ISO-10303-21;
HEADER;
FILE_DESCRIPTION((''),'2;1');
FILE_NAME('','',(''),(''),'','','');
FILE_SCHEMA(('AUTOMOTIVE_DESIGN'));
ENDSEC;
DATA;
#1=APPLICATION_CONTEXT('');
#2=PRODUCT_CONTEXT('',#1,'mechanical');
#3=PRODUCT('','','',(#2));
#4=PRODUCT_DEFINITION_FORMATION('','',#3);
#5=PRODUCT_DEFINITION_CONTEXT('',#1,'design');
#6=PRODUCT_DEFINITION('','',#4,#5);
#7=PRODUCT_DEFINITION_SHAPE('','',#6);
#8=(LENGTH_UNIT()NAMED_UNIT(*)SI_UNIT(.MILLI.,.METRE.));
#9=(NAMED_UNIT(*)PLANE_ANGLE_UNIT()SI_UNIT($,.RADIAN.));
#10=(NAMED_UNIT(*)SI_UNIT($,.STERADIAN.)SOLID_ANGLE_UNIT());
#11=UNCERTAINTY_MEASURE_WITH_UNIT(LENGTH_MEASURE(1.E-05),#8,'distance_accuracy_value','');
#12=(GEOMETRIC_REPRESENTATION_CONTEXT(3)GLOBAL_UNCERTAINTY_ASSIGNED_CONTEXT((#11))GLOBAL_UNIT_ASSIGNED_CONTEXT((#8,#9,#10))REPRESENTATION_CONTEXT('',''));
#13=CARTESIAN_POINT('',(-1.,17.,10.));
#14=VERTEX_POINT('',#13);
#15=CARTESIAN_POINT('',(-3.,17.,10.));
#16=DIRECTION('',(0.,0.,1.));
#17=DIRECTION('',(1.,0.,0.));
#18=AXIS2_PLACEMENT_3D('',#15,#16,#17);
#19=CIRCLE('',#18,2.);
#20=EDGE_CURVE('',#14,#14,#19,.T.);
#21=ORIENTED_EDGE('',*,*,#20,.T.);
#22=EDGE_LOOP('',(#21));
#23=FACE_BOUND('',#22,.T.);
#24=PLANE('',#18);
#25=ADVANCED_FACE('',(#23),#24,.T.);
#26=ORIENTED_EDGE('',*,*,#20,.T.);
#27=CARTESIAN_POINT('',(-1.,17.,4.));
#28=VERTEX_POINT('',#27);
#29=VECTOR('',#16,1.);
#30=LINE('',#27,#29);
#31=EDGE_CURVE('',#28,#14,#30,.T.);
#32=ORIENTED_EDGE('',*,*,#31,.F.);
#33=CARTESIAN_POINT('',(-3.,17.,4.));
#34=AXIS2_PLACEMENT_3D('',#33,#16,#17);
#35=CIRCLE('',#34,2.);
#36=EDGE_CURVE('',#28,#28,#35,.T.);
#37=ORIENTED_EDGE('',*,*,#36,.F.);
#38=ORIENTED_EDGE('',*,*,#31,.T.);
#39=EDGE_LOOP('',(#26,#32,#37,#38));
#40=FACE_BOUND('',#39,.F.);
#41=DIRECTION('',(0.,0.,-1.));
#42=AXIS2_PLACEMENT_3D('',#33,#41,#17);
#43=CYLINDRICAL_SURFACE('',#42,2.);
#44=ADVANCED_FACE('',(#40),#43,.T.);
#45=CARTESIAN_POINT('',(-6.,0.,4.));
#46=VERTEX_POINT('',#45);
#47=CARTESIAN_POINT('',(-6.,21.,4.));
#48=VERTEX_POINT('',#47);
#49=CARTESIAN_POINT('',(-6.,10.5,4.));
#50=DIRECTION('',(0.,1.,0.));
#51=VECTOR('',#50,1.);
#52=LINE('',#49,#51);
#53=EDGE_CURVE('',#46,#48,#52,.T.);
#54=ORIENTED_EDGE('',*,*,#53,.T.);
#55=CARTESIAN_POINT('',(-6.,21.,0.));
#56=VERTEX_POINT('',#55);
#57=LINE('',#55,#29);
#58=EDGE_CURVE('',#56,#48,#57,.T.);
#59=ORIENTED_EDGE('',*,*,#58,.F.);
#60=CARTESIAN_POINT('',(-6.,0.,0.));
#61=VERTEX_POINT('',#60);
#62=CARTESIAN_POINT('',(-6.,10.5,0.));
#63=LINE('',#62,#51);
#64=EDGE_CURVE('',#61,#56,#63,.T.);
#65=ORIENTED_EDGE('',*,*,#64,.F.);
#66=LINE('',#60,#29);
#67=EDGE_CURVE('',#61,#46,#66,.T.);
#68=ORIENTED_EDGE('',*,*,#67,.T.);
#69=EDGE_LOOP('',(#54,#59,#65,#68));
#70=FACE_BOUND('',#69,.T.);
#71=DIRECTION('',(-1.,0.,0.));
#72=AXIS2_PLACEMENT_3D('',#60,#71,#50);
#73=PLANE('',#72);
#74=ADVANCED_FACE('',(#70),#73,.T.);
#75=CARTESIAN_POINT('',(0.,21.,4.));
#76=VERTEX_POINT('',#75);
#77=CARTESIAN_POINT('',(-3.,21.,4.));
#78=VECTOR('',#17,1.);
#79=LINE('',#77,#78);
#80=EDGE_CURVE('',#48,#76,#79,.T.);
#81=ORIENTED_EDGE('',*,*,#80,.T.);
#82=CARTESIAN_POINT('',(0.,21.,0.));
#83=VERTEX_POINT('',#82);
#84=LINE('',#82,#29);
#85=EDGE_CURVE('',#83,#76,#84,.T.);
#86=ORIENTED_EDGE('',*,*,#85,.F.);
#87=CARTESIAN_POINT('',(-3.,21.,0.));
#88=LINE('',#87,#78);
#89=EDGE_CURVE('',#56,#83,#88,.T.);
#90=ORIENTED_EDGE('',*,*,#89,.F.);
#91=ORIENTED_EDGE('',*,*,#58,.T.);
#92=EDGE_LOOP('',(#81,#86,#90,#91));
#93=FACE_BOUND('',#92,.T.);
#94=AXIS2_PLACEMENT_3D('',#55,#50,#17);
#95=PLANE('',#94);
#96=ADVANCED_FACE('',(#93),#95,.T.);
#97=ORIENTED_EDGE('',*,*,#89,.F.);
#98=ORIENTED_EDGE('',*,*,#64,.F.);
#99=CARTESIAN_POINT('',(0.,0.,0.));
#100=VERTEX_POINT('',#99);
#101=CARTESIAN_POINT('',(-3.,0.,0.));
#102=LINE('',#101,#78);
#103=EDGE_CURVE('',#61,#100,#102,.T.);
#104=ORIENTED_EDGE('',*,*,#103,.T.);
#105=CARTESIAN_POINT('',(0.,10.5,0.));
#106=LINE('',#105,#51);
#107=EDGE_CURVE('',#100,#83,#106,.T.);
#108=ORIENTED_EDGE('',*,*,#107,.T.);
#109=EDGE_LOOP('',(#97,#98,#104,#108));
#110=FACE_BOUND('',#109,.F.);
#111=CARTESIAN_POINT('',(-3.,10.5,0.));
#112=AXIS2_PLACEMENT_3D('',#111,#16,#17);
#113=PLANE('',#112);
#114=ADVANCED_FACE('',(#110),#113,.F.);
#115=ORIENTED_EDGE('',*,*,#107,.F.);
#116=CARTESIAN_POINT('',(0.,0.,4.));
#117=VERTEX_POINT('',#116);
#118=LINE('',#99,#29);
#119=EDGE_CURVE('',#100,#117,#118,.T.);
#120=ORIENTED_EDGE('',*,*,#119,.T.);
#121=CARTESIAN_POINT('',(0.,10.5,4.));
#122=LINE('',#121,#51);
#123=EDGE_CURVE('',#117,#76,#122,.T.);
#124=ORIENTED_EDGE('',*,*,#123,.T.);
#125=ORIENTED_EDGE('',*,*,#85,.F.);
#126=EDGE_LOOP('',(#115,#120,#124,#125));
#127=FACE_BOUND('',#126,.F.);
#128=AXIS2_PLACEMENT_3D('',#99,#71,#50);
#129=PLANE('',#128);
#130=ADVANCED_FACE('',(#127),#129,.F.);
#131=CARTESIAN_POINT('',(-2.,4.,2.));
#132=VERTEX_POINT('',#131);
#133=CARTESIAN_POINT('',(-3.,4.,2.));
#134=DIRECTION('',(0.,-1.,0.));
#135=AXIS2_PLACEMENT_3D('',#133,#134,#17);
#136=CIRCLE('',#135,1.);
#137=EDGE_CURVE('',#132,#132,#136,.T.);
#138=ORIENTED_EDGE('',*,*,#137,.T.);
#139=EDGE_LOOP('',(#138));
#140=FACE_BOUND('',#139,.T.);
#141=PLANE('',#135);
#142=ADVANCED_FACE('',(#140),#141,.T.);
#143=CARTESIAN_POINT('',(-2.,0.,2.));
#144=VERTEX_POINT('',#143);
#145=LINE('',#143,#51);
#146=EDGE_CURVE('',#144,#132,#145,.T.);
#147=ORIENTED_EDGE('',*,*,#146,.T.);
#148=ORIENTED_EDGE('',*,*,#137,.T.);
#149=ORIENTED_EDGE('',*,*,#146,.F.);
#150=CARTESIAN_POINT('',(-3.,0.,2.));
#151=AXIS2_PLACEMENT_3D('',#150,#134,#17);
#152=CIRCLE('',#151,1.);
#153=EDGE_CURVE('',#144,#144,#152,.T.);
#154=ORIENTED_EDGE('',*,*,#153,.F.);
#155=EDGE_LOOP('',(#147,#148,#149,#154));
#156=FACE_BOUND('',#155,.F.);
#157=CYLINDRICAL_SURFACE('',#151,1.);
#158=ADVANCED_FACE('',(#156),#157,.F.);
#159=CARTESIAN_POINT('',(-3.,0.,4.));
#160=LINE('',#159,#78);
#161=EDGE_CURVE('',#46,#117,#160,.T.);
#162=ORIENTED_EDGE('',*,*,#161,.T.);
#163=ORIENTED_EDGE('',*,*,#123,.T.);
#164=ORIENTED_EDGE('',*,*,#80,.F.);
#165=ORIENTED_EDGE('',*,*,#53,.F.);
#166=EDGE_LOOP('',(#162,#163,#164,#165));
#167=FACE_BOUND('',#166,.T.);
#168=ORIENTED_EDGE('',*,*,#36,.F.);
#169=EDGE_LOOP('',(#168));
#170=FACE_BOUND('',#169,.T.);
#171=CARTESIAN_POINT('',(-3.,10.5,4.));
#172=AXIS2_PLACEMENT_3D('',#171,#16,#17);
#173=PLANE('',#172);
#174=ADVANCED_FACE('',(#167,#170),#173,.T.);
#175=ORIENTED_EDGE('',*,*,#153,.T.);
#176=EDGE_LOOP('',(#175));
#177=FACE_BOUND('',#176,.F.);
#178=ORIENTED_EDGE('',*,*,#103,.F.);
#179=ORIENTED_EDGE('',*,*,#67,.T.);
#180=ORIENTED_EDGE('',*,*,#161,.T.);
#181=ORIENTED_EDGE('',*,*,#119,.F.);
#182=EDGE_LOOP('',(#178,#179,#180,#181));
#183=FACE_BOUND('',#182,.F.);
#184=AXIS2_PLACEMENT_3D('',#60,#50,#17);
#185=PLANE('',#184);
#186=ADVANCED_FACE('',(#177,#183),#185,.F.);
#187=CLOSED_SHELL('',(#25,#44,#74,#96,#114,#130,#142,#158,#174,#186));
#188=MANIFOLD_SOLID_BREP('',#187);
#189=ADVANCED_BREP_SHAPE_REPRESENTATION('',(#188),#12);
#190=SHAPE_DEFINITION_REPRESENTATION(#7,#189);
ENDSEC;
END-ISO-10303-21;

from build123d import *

# Parameters (mm, degrees)
F0_W     = 6
F0_H     = 21
F1_DEPTH = 4
F2_R     = 2
F3_DEPTH = 6
F4_R     = 1
F5_DEPTH = 4


with BuildPart() as f1:
    # F0 (on Top) → F1 (new body)
    with BuildSketch(Plane.XY):
        with Locations((-3, 10.5)):
            Rectangle(F0_W, F0_H)
    extrude(amount=F1_DEPTH)

    # F2 (on face) → F3 (join)
    with BuildSketch(Plane.XY.offset(4)):
        with Locations((-3, 17)):
            Circle(F2_R)
    extrude(amount=F3_DEPTH)

    # F4 (on face) → F5 (cut)
    with BuildSketch(Plane.XZ):
        with Locations((-3, 2)):
            Circle(F4_R)
    extrude(amount=-F5_DEPTH, mode=Mode.SUBTRACT)


solid = f1.part
